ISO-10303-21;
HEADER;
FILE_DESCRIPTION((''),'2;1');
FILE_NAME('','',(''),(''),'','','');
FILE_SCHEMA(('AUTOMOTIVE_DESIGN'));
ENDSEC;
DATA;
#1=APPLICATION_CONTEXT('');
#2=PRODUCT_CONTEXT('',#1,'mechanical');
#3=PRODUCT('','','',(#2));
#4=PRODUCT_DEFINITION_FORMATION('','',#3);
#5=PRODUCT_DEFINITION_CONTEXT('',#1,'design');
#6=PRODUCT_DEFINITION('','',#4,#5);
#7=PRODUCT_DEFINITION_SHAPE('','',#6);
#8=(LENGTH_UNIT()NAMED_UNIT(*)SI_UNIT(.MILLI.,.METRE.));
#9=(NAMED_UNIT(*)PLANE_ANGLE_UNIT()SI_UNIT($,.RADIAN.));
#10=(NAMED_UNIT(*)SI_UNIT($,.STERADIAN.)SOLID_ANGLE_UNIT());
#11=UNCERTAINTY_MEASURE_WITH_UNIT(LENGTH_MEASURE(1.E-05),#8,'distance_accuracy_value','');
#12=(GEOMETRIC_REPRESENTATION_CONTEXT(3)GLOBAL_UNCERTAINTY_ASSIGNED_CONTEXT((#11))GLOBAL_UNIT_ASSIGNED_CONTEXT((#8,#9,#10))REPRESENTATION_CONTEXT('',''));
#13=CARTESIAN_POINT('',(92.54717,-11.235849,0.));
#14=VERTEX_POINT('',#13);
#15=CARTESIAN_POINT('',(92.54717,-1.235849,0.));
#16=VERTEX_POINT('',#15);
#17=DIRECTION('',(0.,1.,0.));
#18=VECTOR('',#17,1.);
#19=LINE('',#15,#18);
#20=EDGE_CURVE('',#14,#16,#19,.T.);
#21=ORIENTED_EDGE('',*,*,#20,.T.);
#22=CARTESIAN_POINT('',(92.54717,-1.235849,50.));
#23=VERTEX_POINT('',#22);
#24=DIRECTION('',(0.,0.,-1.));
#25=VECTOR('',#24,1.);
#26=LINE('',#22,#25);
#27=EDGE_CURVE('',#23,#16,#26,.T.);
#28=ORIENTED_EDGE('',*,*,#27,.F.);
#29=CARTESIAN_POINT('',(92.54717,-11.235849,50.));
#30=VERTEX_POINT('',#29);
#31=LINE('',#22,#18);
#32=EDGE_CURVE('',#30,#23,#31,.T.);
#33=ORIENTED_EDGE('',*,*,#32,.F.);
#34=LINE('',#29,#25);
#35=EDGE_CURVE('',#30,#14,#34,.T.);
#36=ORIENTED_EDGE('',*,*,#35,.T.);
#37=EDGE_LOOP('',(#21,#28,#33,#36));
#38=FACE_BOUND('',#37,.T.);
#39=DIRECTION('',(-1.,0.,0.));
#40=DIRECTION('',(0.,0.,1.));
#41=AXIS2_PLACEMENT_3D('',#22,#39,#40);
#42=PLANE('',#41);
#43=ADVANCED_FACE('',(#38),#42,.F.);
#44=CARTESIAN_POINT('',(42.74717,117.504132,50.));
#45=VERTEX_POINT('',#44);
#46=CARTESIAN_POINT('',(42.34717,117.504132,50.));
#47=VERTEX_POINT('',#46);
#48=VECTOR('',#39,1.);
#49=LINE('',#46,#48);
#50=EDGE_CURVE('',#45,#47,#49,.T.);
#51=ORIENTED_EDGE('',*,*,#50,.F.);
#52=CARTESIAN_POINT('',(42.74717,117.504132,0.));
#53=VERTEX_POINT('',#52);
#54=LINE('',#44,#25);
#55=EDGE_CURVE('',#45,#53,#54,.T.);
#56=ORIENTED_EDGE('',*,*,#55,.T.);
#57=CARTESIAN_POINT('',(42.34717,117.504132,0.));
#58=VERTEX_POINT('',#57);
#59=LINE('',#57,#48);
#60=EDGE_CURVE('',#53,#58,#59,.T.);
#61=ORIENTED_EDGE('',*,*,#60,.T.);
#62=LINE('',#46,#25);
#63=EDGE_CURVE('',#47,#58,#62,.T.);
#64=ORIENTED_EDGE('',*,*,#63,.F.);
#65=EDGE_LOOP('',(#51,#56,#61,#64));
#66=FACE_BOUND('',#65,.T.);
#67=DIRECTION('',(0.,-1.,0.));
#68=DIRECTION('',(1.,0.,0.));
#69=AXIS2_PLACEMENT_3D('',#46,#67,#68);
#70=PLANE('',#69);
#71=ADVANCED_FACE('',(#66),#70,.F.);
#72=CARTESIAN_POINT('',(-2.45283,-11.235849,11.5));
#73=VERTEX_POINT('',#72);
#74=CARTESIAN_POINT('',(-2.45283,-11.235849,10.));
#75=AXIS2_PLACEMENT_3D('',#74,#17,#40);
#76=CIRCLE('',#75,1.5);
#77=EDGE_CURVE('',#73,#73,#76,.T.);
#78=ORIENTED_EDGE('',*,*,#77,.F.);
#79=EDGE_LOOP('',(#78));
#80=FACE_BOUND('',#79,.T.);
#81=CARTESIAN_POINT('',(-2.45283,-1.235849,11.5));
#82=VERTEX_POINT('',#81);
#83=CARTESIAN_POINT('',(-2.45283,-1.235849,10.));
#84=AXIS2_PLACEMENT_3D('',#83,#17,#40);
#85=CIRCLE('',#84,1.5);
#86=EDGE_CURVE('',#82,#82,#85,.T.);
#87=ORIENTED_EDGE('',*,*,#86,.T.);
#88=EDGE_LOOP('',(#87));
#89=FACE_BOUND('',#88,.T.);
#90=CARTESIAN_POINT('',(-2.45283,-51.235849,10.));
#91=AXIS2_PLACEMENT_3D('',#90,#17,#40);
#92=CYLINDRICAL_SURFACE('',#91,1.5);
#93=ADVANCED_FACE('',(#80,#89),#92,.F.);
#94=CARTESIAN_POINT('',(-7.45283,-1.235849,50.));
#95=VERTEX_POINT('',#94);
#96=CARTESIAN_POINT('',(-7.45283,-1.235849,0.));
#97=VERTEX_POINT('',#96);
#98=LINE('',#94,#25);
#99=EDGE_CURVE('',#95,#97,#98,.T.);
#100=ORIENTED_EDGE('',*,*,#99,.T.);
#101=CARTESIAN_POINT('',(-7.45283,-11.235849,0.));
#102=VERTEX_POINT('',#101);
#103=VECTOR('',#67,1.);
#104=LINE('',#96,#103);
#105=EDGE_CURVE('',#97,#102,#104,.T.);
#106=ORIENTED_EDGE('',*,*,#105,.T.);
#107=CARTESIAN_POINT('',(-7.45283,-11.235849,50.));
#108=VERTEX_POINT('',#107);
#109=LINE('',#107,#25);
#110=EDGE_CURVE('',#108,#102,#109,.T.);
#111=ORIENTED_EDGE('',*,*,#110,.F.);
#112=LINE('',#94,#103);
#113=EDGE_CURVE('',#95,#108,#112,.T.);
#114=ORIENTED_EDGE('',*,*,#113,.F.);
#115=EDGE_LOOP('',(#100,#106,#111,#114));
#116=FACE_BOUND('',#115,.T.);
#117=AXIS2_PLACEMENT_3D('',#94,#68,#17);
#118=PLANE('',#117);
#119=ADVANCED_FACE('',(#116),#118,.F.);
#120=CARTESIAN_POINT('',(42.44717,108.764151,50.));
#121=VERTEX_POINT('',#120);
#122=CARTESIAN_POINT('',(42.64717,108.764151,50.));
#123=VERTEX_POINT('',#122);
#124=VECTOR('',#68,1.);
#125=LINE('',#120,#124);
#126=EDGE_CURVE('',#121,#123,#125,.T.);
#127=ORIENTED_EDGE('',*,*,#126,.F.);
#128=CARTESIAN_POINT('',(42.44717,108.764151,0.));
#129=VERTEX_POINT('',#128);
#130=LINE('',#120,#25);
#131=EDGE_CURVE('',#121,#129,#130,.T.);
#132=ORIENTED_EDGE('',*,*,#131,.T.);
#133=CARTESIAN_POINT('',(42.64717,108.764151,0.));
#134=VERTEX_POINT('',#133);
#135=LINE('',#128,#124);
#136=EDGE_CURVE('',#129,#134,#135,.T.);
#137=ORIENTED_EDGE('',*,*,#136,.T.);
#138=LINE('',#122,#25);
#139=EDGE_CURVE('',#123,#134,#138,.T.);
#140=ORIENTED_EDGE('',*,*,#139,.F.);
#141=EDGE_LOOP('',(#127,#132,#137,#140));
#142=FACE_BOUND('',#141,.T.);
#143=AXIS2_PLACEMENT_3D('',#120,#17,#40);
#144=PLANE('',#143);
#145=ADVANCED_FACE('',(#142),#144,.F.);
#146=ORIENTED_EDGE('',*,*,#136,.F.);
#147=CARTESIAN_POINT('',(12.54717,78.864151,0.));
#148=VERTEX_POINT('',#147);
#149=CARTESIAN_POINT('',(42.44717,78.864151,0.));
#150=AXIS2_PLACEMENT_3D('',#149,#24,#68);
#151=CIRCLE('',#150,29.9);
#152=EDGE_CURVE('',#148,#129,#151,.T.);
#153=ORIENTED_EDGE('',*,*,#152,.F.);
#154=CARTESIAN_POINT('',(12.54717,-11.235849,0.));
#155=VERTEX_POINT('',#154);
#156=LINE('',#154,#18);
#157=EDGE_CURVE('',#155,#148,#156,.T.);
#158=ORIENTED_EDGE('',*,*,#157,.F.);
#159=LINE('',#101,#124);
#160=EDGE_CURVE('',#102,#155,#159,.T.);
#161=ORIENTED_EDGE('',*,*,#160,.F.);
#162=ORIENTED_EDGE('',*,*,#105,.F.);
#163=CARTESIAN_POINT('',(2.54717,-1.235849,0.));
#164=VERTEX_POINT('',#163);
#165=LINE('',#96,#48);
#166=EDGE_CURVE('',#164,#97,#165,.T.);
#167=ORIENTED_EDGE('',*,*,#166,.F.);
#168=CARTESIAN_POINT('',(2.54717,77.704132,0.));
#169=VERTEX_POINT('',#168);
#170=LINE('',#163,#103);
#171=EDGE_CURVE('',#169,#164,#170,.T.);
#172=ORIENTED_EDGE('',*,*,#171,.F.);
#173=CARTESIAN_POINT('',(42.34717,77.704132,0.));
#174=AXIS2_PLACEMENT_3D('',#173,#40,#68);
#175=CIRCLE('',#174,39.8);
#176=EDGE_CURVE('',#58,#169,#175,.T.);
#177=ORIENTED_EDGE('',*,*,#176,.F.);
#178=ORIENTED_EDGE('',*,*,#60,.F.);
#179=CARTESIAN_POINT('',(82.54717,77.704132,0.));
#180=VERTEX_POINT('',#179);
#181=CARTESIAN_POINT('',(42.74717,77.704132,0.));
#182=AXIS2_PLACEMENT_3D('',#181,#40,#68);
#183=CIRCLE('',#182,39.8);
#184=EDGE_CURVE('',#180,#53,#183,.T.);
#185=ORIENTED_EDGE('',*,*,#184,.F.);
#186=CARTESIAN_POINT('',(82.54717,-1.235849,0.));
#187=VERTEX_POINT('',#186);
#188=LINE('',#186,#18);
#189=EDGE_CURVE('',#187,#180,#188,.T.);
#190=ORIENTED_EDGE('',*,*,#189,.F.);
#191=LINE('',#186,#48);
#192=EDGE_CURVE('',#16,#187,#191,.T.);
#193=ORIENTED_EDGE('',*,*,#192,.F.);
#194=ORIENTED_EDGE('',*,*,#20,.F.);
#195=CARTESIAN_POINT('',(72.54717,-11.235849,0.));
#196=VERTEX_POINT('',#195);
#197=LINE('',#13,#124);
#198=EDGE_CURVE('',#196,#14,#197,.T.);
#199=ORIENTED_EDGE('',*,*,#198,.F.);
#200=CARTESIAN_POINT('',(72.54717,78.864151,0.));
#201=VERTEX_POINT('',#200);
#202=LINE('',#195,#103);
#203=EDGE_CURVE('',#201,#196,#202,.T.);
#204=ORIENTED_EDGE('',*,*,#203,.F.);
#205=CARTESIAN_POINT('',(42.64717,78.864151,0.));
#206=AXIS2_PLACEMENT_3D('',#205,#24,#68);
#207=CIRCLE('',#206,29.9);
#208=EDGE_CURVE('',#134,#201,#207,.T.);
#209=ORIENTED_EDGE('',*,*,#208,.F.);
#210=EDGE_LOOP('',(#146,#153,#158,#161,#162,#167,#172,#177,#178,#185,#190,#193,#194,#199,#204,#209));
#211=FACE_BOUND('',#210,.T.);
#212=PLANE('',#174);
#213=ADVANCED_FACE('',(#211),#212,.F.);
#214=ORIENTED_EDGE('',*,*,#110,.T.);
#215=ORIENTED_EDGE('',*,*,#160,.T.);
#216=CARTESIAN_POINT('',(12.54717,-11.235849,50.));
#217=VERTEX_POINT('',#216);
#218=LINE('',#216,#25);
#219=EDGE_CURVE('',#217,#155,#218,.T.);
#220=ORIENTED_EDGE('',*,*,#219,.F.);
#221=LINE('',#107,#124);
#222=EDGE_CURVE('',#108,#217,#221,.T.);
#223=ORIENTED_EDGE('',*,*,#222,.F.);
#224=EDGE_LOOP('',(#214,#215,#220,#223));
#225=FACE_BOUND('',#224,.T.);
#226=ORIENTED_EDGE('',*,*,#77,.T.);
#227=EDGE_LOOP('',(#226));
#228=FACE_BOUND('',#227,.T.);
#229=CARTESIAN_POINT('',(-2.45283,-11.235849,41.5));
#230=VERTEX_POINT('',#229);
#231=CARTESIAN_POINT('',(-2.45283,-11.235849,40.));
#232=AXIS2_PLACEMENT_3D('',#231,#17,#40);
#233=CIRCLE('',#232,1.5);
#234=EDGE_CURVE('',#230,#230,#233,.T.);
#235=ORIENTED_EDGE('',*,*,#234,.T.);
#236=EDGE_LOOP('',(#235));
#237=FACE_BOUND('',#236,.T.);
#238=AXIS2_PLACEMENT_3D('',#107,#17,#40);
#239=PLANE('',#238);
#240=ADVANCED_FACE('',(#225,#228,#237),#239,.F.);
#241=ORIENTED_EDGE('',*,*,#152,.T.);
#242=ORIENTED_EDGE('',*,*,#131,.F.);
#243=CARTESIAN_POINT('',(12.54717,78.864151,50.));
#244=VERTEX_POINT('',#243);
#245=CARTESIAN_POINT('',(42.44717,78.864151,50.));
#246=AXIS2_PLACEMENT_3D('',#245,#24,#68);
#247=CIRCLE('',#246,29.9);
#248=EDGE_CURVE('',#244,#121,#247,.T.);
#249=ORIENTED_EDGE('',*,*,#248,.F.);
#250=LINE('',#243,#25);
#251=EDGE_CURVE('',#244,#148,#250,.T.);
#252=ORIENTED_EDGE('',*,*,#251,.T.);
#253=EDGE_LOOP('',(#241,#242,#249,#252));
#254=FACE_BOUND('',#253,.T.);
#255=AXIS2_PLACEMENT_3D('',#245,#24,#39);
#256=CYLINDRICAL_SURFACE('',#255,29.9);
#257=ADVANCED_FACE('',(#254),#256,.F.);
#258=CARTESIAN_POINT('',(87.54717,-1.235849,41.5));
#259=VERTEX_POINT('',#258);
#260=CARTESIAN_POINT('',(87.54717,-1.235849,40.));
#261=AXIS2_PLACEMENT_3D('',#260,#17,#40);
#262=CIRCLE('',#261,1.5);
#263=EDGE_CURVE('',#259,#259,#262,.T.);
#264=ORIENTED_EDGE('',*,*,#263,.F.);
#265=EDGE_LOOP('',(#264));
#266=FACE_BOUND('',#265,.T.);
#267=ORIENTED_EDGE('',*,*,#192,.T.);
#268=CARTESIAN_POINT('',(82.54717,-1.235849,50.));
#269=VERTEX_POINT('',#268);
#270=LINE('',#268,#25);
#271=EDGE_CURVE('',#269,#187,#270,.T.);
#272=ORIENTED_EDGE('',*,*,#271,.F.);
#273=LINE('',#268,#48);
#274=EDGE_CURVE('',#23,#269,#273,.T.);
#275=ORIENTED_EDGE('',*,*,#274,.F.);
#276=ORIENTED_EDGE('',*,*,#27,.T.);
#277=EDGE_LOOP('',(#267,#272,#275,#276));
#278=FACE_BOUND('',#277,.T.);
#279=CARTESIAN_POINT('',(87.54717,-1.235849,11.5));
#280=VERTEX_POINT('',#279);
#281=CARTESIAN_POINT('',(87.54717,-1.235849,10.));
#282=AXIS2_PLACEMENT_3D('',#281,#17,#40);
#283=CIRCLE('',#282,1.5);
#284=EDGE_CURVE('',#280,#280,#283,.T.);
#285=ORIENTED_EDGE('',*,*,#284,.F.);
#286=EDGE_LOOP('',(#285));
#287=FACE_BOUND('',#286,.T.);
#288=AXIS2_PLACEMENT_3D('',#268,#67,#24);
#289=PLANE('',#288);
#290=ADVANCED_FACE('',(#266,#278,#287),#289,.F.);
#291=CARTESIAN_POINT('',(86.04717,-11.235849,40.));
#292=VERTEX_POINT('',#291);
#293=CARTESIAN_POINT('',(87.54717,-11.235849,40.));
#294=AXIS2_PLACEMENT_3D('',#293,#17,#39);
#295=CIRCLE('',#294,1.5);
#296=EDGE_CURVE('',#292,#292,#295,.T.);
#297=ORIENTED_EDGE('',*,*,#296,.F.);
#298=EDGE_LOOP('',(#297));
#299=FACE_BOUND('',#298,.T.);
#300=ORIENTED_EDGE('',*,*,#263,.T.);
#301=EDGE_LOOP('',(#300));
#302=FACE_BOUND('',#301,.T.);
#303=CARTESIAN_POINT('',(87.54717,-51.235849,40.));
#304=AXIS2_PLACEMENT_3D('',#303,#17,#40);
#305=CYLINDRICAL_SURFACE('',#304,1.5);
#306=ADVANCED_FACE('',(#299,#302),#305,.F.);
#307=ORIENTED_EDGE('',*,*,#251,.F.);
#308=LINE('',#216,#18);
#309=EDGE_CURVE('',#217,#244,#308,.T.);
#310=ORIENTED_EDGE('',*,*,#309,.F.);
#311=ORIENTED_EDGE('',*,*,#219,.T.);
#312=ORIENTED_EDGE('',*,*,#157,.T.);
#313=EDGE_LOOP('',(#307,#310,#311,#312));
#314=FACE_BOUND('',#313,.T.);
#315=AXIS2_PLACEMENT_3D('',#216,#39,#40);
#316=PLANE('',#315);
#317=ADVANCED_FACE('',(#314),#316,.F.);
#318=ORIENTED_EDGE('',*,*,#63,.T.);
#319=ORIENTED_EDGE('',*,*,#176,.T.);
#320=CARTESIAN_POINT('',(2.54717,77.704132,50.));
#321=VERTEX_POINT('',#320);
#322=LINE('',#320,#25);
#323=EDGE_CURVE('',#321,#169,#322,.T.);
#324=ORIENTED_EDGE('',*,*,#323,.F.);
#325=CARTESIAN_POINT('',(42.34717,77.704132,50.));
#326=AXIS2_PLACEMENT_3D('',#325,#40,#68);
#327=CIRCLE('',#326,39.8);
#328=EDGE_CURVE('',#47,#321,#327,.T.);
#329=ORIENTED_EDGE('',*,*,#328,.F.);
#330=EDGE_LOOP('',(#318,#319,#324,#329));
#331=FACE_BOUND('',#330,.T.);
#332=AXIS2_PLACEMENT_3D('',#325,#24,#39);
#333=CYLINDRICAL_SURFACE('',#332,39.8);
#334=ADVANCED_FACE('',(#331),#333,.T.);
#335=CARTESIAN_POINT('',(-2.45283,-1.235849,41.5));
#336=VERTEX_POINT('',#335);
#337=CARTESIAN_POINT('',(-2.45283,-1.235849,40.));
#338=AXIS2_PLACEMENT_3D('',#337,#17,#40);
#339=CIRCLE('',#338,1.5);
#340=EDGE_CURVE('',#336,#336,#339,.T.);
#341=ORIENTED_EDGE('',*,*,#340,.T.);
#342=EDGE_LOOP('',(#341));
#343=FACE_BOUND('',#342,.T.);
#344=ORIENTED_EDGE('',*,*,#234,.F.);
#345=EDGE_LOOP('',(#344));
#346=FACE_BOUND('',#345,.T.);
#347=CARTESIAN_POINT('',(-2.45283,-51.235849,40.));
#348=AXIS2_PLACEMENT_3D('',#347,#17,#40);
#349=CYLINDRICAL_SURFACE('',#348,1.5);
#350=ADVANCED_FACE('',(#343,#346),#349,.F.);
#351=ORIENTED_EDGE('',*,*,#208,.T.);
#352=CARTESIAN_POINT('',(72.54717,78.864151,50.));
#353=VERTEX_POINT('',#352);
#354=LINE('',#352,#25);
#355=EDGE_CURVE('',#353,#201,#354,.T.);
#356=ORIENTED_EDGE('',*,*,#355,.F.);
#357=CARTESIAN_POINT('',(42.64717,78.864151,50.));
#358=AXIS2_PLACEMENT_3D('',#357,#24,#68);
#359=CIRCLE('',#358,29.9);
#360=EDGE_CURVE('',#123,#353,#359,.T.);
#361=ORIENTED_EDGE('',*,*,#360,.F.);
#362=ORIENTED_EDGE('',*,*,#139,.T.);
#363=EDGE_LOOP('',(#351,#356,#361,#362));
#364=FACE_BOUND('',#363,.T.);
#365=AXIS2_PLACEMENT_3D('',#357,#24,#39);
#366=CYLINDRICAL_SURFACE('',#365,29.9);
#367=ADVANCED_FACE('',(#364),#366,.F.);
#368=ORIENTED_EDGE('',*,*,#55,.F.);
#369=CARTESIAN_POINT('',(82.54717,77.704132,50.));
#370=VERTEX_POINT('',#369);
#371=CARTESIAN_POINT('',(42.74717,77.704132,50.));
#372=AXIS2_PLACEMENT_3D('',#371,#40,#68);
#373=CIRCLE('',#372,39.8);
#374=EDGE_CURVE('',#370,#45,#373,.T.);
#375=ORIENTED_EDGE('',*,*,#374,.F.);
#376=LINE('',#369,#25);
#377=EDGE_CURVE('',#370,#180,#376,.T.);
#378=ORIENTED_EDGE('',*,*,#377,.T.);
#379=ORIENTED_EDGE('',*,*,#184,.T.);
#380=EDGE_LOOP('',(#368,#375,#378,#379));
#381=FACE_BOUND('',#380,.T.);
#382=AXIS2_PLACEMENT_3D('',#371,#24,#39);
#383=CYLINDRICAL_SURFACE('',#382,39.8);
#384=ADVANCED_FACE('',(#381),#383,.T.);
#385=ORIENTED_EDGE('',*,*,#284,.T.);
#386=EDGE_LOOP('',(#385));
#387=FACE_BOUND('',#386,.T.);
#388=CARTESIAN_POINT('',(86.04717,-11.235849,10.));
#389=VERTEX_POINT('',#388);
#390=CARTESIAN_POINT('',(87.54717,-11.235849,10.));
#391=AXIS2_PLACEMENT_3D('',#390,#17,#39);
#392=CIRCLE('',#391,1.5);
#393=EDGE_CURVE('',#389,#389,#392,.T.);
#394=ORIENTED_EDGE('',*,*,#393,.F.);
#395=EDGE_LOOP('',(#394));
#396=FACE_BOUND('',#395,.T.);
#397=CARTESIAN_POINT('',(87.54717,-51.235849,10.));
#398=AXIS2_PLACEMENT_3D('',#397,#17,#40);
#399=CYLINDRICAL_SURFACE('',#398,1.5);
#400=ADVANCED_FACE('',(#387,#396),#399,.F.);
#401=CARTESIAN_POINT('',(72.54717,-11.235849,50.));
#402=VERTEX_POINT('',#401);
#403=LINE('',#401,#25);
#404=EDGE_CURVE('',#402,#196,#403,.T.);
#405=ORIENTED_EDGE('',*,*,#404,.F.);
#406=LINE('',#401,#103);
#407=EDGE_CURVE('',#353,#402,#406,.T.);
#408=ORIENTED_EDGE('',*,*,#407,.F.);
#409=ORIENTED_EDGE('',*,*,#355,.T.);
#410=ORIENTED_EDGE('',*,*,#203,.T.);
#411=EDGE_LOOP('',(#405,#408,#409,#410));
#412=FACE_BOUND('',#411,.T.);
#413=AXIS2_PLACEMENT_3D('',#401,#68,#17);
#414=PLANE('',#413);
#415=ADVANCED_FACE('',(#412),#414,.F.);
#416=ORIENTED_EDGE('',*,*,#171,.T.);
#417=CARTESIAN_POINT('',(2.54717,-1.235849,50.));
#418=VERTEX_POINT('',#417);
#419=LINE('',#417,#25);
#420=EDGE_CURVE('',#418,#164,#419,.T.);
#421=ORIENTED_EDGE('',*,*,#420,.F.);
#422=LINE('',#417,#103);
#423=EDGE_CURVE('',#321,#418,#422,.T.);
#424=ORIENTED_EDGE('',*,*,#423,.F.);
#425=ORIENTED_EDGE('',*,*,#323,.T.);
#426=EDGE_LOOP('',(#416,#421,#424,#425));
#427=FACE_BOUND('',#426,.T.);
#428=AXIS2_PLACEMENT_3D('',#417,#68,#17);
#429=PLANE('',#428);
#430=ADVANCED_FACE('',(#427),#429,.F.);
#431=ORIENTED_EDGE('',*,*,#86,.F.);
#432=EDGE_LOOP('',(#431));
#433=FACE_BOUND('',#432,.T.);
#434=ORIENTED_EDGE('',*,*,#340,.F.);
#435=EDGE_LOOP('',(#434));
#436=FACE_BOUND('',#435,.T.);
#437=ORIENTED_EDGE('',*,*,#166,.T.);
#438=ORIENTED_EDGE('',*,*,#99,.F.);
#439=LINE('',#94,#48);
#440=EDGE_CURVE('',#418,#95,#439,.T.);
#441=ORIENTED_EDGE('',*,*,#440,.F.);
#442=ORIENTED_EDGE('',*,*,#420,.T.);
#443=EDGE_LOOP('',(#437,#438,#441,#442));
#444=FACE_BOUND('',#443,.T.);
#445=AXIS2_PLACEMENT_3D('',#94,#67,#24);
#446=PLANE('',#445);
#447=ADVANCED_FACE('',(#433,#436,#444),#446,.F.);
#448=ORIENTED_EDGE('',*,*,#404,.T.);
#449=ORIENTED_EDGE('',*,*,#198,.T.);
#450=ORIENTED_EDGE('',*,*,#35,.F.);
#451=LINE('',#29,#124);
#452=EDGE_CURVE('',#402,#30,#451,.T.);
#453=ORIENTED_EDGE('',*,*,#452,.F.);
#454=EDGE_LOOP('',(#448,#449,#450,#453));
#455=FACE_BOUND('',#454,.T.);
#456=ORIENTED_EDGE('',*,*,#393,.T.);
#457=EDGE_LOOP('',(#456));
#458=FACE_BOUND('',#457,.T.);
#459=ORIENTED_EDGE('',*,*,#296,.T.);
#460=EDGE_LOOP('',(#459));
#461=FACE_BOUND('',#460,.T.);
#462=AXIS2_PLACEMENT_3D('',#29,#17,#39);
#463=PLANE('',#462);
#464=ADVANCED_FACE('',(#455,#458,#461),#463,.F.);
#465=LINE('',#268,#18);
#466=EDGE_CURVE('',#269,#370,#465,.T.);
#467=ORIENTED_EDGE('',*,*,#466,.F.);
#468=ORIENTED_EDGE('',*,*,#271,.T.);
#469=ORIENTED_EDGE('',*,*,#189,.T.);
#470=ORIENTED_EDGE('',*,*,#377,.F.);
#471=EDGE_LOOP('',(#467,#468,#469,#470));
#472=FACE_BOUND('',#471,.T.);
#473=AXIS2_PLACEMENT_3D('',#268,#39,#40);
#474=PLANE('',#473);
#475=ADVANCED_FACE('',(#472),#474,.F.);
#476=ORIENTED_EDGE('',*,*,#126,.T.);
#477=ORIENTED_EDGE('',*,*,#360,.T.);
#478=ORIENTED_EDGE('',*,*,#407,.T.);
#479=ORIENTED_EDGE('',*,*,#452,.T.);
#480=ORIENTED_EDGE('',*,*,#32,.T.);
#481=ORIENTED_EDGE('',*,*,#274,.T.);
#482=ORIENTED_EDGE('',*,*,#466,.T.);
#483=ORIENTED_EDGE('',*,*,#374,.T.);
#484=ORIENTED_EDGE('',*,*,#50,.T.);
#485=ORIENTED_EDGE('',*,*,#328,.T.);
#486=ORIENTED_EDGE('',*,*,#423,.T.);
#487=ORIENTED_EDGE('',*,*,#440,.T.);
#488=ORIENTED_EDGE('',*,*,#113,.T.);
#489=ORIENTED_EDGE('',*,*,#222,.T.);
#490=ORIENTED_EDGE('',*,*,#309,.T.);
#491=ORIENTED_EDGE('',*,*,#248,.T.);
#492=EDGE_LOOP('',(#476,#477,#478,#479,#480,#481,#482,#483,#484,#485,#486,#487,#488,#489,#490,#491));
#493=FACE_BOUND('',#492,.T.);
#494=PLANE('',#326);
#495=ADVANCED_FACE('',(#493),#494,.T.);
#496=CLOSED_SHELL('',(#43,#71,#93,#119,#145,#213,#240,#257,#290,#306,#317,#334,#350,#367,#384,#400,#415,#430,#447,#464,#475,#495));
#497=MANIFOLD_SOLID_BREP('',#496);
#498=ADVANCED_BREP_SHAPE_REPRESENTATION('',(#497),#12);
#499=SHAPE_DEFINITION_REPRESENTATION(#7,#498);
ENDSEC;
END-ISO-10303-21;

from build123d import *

# Parameters (mm, degrees)
BOSS_EXTRUDE2_DEPTH = 50
SKETCH3_R           = 1.5
CUT_EXTRUDE1_DEPTH  = 50


with BuildPart() as part:
    # Sketch1 → Boss-Extrude2 (new body)
    with BuildSketch(Plane.XY):
        with BuildLine():
            Line((-7.452830189, -1.235849057), (-7.452830189, -11.235849057))
            Line((-7.452830189, -11.235849057), (12.547169811, -11.235849057))
            Line((12.547169811, -11.235849057), (12.547169811, 78.864150943))
            ThreePointArc((12.547169811, 78.864150943), (21.304677054, 100.006643701), (42.447169811, 108.764150943))
            Line((42.447169811, 108.764150943), (42.647169811, 108.764150943))
            ThreePointArc((42.647169811, 108.764150943), (63.789662569, 100.006643701), (72.547169811, 78.864150943))
            Line((72.547169811, 78.864150943), (72.547169811, -11.235849057))
            Line((72.547169811, -11.235849057), (92.547169811, -11.235849057))
            Line((92.547169811, -11.235849057), (92.547169811, -1.235849057))
            Line((92.547169811, -1.235849057), (82.547169811, -1.235849057))
            Line((82.547169811, -1.235849057), (82.547169811, 77.704131501))
            ThreePointArc((82.547169811, 77.704131501), (70.890019703, 105.846981392), (42.747169811, 117.504131501))
            Line((42.747169811, 117.504131501), (42.347169811, 117.504131501))
            ThreePointArc((42.347169811, 117.504131501), (14.20431992, 105.846981392), (2.547169811, 77.704131501))
            Line((2.547169811, 77.704131501), (2.547169811, -1.235849057))
            Line((2.547169811, -1.235849057), (-7.452830189, -1.235849057))
        make_face()
    extrude(amount=BOSS_EXTRUDE2_DEPTH)

    # Sketch3 → Cut-Extrude1 (cut)
    with BuildSketch(Plane(origin=(0, -1.235849057, 0), x_dir=(1, 0, 0), z_dir=(0, 1, 0))):
        with Locations(Location((-2.452830189, -40, 0), (0, 0, 270))):
            Circle(SKETCH3_R)
        with Locations(Location((-2.452830189, -10, 0), (0, 0, 270))):
            Circle(SKETCH3_R)
        with Locations(Location((87.547169811, -10, 0), (0, 0, 270))):
            Circle(SKETCH3_R)
        with Locations(Location((87.547169811, -40, 0), (0, 0, 270))):
            Circle(SKETCH3_R)
    extrude(amount=-CUT_EXTRUDE1_DEPTH, mode=Mode.SUBTRACT)


solid = part.part
